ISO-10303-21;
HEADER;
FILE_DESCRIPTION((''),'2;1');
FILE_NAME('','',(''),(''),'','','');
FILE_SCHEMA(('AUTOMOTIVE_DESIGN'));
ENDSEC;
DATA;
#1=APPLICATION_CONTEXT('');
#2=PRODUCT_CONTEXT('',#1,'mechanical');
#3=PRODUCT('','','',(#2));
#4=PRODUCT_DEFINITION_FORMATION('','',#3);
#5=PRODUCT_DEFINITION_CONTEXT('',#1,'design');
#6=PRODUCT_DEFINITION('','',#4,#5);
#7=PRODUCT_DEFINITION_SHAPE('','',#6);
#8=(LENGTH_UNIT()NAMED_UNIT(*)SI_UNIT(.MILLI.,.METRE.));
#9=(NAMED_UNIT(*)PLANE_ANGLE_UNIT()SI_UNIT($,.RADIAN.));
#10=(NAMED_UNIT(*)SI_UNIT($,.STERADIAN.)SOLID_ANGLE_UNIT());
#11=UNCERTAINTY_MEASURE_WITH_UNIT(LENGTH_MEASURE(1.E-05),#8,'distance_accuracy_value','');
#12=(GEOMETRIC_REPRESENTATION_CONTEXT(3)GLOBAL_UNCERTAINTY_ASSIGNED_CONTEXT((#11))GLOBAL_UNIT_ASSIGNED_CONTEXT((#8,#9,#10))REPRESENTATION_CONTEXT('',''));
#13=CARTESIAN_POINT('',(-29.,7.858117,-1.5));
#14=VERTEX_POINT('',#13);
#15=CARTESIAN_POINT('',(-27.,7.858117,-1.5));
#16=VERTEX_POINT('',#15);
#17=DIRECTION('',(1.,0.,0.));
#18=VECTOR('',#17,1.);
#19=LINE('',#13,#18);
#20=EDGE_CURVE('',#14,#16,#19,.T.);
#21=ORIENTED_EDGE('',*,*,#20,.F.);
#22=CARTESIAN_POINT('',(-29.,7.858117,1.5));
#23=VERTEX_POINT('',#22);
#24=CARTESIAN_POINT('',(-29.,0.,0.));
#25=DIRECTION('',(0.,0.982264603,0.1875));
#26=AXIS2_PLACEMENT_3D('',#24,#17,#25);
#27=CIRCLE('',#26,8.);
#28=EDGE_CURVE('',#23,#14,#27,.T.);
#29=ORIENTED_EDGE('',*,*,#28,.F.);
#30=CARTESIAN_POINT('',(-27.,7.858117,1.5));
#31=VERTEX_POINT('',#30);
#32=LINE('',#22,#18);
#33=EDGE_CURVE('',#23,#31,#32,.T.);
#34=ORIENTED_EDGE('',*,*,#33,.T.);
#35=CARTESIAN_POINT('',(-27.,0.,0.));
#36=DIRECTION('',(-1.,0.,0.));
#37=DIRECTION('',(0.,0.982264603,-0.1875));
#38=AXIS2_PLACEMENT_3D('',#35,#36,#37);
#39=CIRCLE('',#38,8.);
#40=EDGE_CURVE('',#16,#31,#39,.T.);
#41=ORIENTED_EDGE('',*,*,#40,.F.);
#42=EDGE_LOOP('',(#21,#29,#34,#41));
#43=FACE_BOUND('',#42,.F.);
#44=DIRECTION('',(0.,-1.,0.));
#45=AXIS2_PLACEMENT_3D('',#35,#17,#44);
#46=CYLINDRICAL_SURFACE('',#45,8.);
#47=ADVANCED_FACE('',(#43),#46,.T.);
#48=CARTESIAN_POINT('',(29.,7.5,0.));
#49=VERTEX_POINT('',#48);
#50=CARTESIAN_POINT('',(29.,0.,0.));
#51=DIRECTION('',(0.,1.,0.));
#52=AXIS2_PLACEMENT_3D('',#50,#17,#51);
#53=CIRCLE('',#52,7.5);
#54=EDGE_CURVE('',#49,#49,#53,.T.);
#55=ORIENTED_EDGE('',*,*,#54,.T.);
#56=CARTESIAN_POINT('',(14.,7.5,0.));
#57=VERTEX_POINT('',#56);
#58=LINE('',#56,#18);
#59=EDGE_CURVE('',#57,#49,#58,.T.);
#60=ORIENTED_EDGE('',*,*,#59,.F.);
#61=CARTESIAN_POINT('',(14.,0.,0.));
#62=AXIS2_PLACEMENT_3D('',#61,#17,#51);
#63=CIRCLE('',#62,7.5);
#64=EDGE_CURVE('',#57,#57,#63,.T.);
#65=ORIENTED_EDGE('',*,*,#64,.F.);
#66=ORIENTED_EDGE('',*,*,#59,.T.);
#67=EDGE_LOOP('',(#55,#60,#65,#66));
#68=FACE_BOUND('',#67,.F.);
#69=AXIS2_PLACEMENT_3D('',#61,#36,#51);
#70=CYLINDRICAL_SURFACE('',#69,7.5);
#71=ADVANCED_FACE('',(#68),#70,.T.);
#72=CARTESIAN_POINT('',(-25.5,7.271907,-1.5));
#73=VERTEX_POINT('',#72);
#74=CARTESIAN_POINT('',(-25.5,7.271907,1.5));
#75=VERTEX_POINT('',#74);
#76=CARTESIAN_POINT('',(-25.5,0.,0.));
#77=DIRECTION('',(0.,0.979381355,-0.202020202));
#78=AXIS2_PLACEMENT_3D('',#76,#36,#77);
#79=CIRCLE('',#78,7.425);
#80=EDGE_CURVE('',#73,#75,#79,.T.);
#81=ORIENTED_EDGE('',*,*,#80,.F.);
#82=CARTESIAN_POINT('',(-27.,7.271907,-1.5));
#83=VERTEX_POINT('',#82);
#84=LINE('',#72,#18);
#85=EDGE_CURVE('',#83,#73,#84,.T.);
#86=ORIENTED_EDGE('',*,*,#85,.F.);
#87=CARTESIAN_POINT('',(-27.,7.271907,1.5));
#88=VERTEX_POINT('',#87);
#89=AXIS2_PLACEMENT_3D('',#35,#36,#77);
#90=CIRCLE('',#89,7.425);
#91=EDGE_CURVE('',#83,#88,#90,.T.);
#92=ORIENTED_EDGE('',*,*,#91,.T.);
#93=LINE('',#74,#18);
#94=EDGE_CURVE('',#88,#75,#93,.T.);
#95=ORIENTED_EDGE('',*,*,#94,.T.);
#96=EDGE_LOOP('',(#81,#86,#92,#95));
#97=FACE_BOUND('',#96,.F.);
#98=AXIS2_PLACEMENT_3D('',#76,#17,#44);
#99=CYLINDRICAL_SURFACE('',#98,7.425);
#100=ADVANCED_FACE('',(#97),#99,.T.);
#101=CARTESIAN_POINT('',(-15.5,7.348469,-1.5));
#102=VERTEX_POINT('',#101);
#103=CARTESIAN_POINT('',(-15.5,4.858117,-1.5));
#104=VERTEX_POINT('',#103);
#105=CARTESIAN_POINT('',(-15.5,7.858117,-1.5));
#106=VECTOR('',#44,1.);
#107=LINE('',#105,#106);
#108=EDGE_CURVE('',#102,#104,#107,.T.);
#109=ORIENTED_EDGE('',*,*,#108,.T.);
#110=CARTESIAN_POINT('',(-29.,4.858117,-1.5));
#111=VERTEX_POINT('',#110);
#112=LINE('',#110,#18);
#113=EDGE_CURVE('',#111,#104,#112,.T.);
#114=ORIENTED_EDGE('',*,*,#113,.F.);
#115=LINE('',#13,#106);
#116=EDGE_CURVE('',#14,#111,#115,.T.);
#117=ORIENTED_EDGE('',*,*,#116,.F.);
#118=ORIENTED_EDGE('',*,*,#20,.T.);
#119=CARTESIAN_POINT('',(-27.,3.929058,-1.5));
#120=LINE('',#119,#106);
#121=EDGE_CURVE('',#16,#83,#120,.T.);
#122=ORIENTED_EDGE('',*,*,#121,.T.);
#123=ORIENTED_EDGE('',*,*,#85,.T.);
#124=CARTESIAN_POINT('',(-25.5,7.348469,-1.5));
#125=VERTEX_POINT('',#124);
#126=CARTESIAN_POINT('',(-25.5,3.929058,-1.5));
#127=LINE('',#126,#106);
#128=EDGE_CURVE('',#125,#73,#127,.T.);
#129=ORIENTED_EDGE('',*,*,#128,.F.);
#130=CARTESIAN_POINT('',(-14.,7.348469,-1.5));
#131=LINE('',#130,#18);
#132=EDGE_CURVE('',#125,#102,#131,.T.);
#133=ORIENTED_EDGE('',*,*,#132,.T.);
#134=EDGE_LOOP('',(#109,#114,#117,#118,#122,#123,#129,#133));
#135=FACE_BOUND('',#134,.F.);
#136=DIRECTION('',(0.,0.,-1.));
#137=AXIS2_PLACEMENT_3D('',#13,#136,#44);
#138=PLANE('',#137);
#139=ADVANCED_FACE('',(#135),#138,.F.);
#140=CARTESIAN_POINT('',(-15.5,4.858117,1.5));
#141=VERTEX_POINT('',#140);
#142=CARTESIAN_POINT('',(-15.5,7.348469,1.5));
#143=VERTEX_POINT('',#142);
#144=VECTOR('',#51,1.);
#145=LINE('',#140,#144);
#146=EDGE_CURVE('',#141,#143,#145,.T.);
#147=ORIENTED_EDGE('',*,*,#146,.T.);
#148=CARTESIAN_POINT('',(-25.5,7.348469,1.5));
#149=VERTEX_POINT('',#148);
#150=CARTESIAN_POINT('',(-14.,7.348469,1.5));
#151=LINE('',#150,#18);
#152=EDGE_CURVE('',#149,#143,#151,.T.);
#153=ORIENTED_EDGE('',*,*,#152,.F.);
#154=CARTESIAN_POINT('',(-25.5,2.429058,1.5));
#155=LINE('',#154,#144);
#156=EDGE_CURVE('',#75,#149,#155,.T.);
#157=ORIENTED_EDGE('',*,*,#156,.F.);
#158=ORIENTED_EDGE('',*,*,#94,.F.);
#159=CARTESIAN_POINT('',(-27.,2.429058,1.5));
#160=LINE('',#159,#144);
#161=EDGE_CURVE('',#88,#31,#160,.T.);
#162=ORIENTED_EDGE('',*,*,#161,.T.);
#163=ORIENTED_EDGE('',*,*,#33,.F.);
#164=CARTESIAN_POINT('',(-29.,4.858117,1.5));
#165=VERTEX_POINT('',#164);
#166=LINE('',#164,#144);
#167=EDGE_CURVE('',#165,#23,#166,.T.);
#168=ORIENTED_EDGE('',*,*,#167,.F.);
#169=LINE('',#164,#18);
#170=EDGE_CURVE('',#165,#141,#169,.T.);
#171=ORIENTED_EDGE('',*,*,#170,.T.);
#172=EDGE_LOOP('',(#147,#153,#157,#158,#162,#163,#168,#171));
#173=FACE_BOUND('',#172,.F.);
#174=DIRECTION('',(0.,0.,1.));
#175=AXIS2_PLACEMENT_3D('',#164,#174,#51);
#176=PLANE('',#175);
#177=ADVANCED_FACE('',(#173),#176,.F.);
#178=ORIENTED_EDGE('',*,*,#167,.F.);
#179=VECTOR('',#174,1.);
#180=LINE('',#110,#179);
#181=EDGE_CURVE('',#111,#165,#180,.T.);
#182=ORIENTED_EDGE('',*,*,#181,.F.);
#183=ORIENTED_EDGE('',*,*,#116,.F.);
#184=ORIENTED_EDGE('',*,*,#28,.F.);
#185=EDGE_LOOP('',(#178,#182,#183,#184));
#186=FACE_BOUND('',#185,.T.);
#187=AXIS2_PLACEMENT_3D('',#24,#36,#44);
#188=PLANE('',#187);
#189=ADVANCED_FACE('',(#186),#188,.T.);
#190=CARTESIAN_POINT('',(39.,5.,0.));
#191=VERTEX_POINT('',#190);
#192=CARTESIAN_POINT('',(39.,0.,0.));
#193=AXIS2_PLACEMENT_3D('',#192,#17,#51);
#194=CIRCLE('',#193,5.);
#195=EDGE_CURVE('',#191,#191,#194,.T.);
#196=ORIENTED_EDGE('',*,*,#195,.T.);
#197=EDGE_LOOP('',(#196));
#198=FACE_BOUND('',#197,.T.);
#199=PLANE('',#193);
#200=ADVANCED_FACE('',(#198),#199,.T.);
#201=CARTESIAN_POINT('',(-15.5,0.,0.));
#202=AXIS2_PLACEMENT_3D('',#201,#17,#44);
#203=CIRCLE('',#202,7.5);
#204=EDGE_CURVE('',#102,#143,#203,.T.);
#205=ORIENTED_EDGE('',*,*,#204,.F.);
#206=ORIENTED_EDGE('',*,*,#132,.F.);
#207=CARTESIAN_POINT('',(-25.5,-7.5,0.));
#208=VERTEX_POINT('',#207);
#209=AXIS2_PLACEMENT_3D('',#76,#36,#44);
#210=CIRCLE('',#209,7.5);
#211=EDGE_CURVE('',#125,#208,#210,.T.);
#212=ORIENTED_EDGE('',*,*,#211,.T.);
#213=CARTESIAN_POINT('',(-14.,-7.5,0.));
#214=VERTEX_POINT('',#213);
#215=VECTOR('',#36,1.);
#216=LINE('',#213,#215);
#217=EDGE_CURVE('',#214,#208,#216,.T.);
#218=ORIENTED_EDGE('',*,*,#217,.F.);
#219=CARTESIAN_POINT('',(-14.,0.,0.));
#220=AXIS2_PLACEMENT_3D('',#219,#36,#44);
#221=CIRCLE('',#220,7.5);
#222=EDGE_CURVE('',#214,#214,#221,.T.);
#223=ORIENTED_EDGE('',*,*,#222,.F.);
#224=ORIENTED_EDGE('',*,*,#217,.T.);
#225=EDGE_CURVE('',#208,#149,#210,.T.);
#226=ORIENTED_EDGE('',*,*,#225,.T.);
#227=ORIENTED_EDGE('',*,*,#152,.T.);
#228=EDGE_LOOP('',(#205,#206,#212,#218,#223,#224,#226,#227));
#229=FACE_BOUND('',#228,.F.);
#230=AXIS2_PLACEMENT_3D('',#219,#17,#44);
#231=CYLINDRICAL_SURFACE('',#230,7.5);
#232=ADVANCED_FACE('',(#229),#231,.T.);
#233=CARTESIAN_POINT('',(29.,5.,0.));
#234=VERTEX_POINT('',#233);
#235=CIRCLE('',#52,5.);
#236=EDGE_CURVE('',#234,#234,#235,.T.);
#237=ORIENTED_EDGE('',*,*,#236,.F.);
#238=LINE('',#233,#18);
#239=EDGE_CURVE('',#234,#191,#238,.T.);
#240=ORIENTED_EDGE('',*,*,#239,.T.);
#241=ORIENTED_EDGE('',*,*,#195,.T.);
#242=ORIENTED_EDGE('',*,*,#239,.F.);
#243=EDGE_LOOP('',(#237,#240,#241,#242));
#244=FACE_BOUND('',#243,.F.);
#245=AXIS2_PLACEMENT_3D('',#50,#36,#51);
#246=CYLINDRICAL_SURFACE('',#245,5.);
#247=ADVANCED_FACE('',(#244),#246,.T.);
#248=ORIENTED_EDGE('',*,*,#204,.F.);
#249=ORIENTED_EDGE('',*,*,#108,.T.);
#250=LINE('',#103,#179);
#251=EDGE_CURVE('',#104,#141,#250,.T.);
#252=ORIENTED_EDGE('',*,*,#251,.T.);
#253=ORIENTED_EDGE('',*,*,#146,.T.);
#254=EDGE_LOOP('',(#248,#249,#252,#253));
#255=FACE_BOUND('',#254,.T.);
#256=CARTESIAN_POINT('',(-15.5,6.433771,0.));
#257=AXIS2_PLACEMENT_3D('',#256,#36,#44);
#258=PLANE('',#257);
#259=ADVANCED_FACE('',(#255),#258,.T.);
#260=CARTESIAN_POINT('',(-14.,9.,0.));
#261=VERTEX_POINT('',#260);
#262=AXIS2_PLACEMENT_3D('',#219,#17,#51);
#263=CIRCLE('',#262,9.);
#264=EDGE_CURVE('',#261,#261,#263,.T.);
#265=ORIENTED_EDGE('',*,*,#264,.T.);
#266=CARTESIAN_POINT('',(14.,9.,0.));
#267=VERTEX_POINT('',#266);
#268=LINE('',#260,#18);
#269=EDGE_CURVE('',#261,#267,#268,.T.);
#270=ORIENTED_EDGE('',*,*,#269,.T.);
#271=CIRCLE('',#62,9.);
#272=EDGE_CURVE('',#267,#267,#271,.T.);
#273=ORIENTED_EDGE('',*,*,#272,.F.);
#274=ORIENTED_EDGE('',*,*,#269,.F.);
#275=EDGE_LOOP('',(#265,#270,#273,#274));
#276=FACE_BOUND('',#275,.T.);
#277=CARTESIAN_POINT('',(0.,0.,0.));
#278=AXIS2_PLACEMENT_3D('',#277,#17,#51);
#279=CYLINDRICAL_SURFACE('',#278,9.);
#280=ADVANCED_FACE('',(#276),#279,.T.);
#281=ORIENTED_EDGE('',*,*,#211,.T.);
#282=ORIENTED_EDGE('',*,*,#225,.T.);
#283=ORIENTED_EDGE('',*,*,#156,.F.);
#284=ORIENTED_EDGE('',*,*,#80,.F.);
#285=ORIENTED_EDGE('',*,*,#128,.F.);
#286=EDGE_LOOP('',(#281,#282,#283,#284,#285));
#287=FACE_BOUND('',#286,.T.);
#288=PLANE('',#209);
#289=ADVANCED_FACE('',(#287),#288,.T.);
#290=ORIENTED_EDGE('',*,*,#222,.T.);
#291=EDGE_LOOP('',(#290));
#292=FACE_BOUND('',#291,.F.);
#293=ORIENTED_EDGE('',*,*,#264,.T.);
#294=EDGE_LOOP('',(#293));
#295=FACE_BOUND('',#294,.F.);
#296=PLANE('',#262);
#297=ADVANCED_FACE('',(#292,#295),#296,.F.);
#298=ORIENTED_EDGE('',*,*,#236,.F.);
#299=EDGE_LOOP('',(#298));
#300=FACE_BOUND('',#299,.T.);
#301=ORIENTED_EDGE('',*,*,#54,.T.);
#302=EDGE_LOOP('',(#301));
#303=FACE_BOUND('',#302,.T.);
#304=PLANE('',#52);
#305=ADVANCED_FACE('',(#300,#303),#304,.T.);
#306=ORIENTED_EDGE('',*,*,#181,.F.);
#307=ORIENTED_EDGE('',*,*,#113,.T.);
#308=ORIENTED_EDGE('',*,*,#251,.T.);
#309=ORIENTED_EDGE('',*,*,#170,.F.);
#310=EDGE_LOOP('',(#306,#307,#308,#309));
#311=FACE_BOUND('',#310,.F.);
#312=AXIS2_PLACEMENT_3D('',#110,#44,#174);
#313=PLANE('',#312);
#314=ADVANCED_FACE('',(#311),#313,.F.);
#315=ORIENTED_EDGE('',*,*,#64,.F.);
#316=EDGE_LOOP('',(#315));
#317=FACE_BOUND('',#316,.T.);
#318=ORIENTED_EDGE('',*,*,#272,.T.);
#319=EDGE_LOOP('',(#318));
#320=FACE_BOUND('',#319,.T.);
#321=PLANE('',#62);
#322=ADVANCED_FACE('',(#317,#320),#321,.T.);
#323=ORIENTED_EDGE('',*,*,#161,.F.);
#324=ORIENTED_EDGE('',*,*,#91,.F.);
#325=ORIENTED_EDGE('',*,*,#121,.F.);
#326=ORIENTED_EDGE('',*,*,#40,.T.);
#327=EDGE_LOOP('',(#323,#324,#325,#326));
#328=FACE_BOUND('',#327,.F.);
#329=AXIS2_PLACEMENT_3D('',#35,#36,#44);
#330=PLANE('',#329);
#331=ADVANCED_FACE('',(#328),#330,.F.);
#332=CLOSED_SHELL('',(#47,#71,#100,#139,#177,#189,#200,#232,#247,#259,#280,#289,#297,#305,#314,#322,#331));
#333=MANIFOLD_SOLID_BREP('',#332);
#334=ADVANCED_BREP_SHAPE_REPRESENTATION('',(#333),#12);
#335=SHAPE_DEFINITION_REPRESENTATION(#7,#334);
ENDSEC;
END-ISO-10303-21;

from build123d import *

# Parameters (mm, degrees)
F0_R      = 9
F1_DEPTH  = 14
F2_R      = 7.5
F3_DEPTH  = 15
F4_R      = 5
F5_DEPTH  = 10
F6_R      = 7.5
F7_DEPTH  = 11.5
F8_R      = 7.425
F9_DEPTH  = 1.5
F10_R     = 8
F11_DEPTH = 2
F13_DEPTH = 13.5


with BuildPart() as f1:
    # F0 (on Right) → F1 (new body, symmetric)
    with BuildSketch(Plane.YZ):
        Circle(F0_R)
    extrude(amount=F1_DEPTH, both=True)

    # F2 (on face) → F3 (join)
    with BuildSketch(Plane.YZ.offset(14)):
        Circle(F2_R)
    extrude(amount=F3_DEPTH)

    # F4 (on face) → F5 (join)
    with BuildSketch(Plane.YZ.offset(29)):
        Circle(F4_R)
    extrude(amount=F5_DEPTH)

    # F6 (on face) → F7 (join)
    with BuildSketch(Plane(origin=(-14, 0, 0), x_dir=(0, -1, 0), z_dir=(-1, 0, 0))):
        Circle(F6_R)
    extrude(amount=F7_DEPTH)

    # F8 (on face) → F9 (join)
    with BuildSketch(Plane(origin=(-25.5, 0, 0), x_dir=(0, -1, 0), z_dir=(-1, 0, 0))):
        Circle(F8_R)
    extrude(amount=F9_DEPTH)

    # F10 (on face) → F11 (join)
    with BuildSketch(Plane(origin=(-27, 0, 0), x_dir=(0, -1, 0), z_dir=(-1, 0, 0))):
        Circle(F10_R)
    extrude(amount=F11_DEPTH)

    # F12 (on face) → F13 (cut)
    with BuildSketch(Plane(origin=(-29, 0, 0), x_dir=(0, -1, 0), z_dir=(-1, 0, 0))):
        with BuildLine():
            Line((-7.8581168228, -1.5), (-4.8581168228, -1.5))
            Line((-4.8581168228, -1.5), (-4.8581168228, 1.5))
            Line((-4.8581168228, 1.5), (-7.8581168228, 1.5))
            add(Edge.make_bspline(
                [(-7.8581168228, 1.5), (-8.0546390686, 1), (-8.4476835604, 0), (-8.0546390686, -1), (-7.8581168228, -1.5)],
                knots=[0, 0, 0, 0, 0.5, 1, 1, 1, 1], degree=3))
        make_face()
    extrude(amount=-F13_DEPTH, mode=Mode.SUBTRACT)


solid = f1.part
